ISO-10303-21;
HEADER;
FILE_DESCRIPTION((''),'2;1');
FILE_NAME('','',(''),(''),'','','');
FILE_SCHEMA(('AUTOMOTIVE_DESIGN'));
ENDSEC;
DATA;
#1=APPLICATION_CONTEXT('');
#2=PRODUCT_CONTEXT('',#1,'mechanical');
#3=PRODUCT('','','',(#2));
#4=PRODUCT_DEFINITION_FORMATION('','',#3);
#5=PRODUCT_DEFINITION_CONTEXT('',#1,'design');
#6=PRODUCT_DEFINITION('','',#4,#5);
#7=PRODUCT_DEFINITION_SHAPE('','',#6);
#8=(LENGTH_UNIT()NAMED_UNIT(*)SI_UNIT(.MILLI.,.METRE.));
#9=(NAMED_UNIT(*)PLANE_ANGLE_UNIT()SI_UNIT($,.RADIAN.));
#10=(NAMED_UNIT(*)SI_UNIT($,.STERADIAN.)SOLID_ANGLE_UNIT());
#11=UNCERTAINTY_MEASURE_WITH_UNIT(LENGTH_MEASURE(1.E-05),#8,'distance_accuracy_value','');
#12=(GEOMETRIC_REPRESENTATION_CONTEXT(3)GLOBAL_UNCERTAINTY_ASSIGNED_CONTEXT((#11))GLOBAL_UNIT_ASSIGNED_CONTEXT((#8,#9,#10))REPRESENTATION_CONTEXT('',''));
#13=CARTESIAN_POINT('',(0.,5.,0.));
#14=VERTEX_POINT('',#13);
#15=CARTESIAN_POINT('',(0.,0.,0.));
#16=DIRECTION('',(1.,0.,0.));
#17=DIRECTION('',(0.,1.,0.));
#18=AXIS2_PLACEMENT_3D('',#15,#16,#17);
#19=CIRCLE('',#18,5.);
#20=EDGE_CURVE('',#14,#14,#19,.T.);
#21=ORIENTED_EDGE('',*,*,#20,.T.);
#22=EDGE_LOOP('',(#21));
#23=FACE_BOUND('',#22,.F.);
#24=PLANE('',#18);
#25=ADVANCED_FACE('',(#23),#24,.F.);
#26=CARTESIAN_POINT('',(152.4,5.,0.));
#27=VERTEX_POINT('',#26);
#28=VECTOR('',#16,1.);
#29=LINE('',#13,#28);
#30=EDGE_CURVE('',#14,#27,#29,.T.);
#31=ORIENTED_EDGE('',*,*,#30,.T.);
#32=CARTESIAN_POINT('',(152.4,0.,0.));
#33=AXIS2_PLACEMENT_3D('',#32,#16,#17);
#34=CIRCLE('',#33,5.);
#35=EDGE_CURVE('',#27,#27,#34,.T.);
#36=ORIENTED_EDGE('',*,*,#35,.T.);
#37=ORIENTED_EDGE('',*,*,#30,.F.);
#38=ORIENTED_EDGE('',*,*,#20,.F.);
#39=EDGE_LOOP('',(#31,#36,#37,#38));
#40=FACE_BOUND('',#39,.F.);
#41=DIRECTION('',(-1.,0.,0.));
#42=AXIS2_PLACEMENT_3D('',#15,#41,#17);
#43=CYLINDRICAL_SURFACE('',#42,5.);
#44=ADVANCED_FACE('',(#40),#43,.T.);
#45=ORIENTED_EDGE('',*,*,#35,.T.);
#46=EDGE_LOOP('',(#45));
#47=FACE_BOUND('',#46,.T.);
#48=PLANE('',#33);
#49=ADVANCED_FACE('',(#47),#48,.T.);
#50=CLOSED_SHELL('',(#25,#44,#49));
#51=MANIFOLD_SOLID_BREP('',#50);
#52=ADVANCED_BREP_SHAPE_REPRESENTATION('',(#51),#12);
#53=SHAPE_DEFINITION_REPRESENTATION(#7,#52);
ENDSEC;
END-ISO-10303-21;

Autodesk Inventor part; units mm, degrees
ref_plane "YZ Plane" through (0, 0, 0) normal (1, 0, 0) x (0, 1, 0)
ref_plane "XZ Plane" through (0, 0, 0) normal (0, 1, 0) x (-1, 0, 0)
ref_plane "XY Plane" through (0, 0, 0) normal (0, 0, 1) x (1, 0, 0)
sketch "Sketch1" plane through (0, 0, 0) normal (1, 0, 0) x (0, 1, 0)
  circle A0 centre (0, 0) radius 5
  dimension "d0" = 10
extrude "Extrusion1" add sketch "Sketch1" along normal blind 152.4
thread "Thread1" size "TR10x2" class "7e" standard "ISO Metric Trapezoidal Threads" full length
properties part number "Lead_Screw_10x2"
